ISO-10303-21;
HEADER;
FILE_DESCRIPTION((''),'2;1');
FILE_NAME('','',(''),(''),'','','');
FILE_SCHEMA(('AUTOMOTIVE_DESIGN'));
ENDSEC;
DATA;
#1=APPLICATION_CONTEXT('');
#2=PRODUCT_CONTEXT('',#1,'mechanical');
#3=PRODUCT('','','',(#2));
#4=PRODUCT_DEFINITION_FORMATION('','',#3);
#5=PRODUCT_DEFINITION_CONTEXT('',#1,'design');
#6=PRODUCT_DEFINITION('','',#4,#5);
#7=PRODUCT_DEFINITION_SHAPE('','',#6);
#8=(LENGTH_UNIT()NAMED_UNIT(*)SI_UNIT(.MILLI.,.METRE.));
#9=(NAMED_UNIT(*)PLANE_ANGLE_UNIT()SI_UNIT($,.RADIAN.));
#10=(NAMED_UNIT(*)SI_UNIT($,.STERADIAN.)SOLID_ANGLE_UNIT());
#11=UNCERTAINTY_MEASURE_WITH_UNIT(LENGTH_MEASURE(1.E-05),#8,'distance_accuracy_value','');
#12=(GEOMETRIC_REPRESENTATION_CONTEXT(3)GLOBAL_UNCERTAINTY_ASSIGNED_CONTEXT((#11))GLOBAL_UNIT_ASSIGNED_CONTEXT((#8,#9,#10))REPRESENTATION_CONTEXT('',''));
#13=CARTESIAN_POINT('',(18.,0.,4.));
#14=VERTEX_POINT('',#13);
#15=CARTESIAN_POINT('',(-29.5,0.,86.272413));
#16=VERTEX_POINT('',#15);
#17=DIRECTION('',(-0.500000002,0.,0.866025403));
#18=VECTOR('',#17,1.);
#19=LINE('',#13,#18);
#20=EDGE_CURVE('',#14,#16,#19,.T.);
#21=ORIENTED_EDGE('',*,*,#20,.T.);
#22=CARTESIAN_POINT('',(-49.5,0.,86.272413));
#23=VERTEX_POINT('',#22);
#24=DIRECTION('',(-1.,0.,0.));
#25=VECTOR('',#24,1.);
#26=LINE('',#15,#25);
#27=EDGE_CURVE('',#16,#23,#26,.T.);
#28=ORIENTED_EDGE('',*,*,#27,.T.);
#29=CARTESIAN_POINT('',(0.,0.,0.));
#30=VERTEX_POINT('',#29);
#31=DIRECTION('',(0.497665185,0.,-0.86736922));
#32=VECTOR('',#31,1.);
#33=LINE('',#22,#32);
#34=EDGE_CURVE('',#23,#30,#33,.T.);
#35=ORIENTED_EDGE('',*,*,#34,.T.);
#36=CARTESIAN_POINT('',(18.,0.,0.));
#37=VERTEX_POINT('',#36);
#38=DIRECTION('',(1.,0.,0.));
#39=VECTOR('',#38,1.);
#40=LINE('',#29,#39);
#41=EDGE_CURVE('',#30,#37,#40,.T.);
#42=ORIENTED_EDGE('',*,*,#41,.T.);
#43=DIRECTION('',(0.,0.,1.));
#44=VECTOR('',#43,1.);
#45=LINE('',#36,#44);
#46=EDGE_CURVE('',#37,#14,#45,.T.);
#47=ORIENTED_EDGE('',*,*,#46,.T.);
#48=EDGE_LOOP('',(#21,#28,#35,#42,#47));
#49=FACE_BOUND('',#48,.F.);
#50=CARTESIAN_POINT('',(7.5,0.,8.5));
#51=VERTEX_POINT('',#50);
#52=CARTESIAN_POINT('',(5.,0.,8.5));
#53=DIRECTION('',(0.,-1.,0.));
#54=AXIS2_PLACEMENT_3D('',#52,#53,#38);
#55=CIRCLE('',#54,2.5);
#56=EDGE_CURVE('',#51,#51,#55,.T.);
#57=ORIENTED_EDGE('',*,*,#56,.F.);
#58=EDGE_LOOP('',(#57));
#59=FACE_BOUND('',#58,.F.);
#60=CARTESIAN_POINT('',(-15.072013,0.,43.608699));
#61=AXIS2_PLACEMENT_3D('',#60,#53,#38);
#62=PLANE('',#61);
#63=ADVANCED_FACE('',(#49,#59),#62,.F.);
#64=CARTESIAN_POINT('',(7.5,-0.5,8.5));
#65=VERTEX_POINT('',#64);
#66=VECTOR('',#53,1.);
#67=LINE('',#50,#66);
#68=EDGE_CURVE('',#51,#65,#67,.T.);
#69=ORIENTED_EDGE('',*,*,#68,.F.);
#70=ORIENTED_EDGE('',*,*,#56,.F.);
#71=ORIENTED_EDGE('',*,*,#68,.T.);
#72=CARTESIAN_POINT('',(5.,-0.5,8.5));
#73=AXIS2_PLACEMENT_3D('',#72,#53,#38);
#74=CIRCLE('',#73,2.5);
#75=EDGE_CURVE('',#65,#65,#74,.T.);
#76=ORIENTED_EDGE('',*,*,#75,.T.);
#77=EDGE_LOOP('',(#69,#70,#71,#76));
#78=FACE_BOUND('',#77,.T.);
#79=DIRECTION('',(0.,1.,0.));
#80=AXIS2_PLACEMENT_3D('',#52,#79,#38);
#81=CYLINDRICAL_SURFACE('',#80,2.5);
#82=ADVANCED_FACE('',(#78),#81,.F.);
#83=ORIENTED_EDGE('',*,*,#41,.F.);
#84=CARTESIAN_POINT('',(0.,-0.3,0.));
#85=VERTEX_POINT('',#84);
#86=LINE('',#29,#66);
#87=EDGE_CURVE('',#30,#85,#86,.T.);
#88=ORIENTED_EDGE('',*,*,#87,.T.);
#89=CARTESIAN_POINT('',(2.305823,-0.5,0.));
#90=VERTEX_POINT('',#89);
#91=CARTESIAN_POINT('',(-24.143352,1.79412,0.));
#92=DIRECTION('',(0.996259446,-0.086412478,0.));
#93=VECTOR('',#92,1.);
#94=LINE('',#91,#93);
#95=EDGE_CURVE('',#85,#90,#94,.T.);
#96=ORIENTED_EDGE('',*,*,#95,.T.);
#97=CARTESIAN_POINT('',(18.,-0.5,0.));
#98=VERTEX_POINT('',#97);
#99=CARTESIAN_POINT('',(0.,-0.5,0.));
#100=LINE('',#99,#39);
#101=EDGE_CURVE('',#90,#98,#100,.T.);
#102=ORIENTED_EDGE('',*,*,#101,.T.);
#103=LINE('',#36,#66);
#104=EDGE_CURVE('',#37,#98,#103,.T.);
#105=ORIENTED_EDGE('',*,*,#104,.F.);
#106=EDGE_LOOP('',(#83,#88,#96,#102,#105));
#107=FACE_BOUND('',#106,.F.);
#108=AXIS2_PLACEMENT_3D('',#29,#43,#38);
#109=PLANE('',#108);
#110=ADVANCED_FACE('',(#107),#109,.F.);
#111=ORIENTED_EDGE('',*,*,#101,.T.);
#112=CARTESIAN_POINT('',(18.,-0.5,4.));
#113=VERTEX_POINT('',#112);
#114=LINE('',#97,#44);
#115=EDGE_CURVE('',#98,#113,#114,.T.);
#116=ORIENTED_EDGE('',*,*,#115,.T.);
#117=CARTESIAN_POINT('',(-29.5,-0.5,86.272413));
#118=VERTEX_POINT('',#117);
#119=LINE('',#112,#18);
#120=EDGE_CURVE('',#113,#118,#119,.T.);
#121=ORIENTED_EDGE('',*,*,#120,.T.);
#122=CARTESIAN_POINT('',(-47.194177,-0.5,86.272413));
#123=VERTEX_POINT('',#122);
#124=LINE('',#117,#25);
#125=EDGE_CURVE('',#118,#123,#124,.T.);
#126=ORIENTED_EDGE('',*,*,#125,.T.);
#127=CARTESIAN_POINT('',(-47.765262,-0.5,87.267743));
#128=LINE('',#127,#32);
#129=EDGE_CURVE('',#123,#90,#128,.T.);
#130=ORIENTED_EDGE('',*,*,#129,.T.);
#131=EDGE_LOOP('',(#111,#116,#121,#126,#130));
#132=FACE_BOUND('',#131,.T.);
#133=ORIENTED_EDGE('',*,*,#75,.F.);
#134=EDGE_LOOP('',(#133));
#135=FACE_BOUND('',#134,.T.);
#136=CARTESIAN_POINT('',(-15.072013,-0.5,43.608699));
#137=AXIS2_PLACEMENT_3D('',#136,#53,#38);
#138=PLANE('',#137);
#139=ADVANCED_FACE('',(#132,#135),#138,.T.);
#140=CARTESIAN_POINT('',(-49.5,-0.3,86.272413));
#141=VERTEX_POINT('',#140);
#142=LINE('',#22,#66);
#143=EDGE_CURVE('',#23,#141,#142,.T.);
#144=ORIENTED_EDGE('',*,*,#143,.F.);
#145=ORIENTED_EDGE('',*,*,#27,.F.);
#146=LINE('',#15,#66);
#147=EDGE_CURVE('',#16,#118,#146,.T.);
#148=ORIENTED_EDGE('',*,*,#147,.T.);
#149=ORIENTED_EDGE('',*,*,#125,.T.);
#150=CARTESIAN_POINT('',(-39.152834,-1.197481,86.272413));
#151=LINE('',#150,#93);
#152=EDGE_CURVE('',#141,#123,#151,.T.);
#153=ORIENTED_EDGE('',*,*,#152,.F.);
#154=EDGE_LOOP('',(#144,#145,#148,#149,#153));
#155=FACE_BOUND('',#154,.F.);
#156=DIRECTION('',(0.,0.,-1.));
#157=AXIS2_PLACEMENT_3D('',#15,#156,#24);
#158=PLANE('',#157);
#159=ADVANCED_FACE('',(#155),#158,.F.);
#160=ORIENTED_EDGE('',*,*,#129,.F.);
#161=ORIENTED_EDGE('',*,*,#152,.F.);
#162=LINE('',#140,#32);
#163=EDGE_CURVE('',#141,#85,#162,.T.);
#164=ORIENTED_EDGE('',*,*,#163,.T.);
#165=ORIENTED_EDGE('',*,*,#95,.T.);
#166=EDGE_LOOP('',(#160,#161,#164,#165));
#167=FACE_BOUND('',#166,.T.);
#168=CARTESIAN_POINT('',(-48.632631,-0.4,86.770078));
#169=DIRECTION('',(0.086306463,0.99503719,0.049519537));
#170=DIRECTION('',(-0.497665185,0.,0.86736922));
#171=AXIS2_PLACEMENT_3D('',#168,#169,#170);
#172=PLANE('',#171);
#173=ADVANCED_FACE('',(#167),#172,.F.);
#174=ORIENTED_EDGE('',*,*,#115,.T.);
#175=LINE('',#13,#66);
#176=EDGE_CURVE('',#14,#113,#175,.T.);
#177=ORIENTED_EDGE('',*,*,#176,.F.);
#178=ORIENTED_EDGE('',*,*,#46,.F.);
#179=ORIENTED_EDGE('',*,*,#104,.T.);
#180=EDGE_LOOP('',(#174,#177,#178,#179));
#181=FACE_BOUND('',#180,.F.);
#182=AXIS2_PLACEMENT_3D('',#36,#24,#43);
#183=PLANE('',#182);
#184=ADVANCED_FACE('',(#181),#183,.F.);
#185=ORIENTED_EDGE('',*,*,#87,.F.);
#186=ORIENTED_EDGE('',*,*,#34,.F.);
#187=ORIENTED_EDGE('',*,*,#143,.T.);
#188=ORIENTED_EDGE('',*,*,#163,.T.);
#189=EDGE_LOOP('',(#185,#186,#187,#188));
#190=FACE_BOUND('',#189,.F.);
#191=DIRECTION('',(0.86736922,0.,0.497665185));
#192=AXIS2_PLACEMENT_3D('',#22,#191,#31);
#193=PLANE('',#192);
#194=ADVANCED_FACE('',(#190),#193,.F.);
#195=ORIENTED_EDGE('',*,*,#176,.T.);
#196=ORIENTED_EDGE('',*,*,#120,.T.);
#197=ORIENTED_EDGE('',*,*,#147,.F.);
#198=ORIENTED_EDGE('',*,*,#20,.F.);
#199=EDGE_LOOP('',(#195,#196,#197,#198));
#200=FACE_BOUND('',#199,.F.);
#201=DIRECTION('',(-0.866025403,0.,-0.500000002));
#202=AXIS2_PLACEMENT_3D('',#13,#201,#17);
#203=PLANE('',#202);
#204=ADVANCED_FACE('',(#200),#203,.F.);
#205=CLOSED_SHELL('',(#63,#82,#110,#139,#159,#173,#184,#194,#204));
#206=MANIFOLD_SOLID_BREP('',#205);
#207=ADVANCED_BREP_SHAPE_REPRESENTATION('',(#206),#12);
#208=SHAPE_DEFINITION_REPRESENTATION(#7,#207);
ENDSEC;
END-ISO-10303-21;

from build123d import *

# Parameters (mm, degrees)
SKETCH_R      = 2.5
PAD_DEPTH     = 0.5
CHAMFER_SIZE2 = 2
CHAMFER_SIZE  = 0.2


with BuildPart() as part:
    # Sketch → Pad (new body)
    with BuildSketch(Plane.XZ):
        Polygon((0, 0), (18, 0), (18, 4), (-29.5, 86.272413), (-49.5, 86.272413), align=None)
        with Locations((5, 8.5)):
            Circle(SKETCH_R, mode=Mode.SUBTRACT)
    extrude(amount=PAD_DEPTH)

    # Chamfer
    chamfer_edges = [part.edges().sort_by_distance(p)[0] for p in [
        (-24.75, -0.5, 43.136207),
    ]]
    chamfer_side = part.faces().sort_by_distance((-24.75, -0.25, 43.136207))[0]
    chamfer(chamfer_edges, length=CHAMFER_SIZE, length2=CHAMFER_SIZE2, reference=chamfer_side)


solid = part.part
